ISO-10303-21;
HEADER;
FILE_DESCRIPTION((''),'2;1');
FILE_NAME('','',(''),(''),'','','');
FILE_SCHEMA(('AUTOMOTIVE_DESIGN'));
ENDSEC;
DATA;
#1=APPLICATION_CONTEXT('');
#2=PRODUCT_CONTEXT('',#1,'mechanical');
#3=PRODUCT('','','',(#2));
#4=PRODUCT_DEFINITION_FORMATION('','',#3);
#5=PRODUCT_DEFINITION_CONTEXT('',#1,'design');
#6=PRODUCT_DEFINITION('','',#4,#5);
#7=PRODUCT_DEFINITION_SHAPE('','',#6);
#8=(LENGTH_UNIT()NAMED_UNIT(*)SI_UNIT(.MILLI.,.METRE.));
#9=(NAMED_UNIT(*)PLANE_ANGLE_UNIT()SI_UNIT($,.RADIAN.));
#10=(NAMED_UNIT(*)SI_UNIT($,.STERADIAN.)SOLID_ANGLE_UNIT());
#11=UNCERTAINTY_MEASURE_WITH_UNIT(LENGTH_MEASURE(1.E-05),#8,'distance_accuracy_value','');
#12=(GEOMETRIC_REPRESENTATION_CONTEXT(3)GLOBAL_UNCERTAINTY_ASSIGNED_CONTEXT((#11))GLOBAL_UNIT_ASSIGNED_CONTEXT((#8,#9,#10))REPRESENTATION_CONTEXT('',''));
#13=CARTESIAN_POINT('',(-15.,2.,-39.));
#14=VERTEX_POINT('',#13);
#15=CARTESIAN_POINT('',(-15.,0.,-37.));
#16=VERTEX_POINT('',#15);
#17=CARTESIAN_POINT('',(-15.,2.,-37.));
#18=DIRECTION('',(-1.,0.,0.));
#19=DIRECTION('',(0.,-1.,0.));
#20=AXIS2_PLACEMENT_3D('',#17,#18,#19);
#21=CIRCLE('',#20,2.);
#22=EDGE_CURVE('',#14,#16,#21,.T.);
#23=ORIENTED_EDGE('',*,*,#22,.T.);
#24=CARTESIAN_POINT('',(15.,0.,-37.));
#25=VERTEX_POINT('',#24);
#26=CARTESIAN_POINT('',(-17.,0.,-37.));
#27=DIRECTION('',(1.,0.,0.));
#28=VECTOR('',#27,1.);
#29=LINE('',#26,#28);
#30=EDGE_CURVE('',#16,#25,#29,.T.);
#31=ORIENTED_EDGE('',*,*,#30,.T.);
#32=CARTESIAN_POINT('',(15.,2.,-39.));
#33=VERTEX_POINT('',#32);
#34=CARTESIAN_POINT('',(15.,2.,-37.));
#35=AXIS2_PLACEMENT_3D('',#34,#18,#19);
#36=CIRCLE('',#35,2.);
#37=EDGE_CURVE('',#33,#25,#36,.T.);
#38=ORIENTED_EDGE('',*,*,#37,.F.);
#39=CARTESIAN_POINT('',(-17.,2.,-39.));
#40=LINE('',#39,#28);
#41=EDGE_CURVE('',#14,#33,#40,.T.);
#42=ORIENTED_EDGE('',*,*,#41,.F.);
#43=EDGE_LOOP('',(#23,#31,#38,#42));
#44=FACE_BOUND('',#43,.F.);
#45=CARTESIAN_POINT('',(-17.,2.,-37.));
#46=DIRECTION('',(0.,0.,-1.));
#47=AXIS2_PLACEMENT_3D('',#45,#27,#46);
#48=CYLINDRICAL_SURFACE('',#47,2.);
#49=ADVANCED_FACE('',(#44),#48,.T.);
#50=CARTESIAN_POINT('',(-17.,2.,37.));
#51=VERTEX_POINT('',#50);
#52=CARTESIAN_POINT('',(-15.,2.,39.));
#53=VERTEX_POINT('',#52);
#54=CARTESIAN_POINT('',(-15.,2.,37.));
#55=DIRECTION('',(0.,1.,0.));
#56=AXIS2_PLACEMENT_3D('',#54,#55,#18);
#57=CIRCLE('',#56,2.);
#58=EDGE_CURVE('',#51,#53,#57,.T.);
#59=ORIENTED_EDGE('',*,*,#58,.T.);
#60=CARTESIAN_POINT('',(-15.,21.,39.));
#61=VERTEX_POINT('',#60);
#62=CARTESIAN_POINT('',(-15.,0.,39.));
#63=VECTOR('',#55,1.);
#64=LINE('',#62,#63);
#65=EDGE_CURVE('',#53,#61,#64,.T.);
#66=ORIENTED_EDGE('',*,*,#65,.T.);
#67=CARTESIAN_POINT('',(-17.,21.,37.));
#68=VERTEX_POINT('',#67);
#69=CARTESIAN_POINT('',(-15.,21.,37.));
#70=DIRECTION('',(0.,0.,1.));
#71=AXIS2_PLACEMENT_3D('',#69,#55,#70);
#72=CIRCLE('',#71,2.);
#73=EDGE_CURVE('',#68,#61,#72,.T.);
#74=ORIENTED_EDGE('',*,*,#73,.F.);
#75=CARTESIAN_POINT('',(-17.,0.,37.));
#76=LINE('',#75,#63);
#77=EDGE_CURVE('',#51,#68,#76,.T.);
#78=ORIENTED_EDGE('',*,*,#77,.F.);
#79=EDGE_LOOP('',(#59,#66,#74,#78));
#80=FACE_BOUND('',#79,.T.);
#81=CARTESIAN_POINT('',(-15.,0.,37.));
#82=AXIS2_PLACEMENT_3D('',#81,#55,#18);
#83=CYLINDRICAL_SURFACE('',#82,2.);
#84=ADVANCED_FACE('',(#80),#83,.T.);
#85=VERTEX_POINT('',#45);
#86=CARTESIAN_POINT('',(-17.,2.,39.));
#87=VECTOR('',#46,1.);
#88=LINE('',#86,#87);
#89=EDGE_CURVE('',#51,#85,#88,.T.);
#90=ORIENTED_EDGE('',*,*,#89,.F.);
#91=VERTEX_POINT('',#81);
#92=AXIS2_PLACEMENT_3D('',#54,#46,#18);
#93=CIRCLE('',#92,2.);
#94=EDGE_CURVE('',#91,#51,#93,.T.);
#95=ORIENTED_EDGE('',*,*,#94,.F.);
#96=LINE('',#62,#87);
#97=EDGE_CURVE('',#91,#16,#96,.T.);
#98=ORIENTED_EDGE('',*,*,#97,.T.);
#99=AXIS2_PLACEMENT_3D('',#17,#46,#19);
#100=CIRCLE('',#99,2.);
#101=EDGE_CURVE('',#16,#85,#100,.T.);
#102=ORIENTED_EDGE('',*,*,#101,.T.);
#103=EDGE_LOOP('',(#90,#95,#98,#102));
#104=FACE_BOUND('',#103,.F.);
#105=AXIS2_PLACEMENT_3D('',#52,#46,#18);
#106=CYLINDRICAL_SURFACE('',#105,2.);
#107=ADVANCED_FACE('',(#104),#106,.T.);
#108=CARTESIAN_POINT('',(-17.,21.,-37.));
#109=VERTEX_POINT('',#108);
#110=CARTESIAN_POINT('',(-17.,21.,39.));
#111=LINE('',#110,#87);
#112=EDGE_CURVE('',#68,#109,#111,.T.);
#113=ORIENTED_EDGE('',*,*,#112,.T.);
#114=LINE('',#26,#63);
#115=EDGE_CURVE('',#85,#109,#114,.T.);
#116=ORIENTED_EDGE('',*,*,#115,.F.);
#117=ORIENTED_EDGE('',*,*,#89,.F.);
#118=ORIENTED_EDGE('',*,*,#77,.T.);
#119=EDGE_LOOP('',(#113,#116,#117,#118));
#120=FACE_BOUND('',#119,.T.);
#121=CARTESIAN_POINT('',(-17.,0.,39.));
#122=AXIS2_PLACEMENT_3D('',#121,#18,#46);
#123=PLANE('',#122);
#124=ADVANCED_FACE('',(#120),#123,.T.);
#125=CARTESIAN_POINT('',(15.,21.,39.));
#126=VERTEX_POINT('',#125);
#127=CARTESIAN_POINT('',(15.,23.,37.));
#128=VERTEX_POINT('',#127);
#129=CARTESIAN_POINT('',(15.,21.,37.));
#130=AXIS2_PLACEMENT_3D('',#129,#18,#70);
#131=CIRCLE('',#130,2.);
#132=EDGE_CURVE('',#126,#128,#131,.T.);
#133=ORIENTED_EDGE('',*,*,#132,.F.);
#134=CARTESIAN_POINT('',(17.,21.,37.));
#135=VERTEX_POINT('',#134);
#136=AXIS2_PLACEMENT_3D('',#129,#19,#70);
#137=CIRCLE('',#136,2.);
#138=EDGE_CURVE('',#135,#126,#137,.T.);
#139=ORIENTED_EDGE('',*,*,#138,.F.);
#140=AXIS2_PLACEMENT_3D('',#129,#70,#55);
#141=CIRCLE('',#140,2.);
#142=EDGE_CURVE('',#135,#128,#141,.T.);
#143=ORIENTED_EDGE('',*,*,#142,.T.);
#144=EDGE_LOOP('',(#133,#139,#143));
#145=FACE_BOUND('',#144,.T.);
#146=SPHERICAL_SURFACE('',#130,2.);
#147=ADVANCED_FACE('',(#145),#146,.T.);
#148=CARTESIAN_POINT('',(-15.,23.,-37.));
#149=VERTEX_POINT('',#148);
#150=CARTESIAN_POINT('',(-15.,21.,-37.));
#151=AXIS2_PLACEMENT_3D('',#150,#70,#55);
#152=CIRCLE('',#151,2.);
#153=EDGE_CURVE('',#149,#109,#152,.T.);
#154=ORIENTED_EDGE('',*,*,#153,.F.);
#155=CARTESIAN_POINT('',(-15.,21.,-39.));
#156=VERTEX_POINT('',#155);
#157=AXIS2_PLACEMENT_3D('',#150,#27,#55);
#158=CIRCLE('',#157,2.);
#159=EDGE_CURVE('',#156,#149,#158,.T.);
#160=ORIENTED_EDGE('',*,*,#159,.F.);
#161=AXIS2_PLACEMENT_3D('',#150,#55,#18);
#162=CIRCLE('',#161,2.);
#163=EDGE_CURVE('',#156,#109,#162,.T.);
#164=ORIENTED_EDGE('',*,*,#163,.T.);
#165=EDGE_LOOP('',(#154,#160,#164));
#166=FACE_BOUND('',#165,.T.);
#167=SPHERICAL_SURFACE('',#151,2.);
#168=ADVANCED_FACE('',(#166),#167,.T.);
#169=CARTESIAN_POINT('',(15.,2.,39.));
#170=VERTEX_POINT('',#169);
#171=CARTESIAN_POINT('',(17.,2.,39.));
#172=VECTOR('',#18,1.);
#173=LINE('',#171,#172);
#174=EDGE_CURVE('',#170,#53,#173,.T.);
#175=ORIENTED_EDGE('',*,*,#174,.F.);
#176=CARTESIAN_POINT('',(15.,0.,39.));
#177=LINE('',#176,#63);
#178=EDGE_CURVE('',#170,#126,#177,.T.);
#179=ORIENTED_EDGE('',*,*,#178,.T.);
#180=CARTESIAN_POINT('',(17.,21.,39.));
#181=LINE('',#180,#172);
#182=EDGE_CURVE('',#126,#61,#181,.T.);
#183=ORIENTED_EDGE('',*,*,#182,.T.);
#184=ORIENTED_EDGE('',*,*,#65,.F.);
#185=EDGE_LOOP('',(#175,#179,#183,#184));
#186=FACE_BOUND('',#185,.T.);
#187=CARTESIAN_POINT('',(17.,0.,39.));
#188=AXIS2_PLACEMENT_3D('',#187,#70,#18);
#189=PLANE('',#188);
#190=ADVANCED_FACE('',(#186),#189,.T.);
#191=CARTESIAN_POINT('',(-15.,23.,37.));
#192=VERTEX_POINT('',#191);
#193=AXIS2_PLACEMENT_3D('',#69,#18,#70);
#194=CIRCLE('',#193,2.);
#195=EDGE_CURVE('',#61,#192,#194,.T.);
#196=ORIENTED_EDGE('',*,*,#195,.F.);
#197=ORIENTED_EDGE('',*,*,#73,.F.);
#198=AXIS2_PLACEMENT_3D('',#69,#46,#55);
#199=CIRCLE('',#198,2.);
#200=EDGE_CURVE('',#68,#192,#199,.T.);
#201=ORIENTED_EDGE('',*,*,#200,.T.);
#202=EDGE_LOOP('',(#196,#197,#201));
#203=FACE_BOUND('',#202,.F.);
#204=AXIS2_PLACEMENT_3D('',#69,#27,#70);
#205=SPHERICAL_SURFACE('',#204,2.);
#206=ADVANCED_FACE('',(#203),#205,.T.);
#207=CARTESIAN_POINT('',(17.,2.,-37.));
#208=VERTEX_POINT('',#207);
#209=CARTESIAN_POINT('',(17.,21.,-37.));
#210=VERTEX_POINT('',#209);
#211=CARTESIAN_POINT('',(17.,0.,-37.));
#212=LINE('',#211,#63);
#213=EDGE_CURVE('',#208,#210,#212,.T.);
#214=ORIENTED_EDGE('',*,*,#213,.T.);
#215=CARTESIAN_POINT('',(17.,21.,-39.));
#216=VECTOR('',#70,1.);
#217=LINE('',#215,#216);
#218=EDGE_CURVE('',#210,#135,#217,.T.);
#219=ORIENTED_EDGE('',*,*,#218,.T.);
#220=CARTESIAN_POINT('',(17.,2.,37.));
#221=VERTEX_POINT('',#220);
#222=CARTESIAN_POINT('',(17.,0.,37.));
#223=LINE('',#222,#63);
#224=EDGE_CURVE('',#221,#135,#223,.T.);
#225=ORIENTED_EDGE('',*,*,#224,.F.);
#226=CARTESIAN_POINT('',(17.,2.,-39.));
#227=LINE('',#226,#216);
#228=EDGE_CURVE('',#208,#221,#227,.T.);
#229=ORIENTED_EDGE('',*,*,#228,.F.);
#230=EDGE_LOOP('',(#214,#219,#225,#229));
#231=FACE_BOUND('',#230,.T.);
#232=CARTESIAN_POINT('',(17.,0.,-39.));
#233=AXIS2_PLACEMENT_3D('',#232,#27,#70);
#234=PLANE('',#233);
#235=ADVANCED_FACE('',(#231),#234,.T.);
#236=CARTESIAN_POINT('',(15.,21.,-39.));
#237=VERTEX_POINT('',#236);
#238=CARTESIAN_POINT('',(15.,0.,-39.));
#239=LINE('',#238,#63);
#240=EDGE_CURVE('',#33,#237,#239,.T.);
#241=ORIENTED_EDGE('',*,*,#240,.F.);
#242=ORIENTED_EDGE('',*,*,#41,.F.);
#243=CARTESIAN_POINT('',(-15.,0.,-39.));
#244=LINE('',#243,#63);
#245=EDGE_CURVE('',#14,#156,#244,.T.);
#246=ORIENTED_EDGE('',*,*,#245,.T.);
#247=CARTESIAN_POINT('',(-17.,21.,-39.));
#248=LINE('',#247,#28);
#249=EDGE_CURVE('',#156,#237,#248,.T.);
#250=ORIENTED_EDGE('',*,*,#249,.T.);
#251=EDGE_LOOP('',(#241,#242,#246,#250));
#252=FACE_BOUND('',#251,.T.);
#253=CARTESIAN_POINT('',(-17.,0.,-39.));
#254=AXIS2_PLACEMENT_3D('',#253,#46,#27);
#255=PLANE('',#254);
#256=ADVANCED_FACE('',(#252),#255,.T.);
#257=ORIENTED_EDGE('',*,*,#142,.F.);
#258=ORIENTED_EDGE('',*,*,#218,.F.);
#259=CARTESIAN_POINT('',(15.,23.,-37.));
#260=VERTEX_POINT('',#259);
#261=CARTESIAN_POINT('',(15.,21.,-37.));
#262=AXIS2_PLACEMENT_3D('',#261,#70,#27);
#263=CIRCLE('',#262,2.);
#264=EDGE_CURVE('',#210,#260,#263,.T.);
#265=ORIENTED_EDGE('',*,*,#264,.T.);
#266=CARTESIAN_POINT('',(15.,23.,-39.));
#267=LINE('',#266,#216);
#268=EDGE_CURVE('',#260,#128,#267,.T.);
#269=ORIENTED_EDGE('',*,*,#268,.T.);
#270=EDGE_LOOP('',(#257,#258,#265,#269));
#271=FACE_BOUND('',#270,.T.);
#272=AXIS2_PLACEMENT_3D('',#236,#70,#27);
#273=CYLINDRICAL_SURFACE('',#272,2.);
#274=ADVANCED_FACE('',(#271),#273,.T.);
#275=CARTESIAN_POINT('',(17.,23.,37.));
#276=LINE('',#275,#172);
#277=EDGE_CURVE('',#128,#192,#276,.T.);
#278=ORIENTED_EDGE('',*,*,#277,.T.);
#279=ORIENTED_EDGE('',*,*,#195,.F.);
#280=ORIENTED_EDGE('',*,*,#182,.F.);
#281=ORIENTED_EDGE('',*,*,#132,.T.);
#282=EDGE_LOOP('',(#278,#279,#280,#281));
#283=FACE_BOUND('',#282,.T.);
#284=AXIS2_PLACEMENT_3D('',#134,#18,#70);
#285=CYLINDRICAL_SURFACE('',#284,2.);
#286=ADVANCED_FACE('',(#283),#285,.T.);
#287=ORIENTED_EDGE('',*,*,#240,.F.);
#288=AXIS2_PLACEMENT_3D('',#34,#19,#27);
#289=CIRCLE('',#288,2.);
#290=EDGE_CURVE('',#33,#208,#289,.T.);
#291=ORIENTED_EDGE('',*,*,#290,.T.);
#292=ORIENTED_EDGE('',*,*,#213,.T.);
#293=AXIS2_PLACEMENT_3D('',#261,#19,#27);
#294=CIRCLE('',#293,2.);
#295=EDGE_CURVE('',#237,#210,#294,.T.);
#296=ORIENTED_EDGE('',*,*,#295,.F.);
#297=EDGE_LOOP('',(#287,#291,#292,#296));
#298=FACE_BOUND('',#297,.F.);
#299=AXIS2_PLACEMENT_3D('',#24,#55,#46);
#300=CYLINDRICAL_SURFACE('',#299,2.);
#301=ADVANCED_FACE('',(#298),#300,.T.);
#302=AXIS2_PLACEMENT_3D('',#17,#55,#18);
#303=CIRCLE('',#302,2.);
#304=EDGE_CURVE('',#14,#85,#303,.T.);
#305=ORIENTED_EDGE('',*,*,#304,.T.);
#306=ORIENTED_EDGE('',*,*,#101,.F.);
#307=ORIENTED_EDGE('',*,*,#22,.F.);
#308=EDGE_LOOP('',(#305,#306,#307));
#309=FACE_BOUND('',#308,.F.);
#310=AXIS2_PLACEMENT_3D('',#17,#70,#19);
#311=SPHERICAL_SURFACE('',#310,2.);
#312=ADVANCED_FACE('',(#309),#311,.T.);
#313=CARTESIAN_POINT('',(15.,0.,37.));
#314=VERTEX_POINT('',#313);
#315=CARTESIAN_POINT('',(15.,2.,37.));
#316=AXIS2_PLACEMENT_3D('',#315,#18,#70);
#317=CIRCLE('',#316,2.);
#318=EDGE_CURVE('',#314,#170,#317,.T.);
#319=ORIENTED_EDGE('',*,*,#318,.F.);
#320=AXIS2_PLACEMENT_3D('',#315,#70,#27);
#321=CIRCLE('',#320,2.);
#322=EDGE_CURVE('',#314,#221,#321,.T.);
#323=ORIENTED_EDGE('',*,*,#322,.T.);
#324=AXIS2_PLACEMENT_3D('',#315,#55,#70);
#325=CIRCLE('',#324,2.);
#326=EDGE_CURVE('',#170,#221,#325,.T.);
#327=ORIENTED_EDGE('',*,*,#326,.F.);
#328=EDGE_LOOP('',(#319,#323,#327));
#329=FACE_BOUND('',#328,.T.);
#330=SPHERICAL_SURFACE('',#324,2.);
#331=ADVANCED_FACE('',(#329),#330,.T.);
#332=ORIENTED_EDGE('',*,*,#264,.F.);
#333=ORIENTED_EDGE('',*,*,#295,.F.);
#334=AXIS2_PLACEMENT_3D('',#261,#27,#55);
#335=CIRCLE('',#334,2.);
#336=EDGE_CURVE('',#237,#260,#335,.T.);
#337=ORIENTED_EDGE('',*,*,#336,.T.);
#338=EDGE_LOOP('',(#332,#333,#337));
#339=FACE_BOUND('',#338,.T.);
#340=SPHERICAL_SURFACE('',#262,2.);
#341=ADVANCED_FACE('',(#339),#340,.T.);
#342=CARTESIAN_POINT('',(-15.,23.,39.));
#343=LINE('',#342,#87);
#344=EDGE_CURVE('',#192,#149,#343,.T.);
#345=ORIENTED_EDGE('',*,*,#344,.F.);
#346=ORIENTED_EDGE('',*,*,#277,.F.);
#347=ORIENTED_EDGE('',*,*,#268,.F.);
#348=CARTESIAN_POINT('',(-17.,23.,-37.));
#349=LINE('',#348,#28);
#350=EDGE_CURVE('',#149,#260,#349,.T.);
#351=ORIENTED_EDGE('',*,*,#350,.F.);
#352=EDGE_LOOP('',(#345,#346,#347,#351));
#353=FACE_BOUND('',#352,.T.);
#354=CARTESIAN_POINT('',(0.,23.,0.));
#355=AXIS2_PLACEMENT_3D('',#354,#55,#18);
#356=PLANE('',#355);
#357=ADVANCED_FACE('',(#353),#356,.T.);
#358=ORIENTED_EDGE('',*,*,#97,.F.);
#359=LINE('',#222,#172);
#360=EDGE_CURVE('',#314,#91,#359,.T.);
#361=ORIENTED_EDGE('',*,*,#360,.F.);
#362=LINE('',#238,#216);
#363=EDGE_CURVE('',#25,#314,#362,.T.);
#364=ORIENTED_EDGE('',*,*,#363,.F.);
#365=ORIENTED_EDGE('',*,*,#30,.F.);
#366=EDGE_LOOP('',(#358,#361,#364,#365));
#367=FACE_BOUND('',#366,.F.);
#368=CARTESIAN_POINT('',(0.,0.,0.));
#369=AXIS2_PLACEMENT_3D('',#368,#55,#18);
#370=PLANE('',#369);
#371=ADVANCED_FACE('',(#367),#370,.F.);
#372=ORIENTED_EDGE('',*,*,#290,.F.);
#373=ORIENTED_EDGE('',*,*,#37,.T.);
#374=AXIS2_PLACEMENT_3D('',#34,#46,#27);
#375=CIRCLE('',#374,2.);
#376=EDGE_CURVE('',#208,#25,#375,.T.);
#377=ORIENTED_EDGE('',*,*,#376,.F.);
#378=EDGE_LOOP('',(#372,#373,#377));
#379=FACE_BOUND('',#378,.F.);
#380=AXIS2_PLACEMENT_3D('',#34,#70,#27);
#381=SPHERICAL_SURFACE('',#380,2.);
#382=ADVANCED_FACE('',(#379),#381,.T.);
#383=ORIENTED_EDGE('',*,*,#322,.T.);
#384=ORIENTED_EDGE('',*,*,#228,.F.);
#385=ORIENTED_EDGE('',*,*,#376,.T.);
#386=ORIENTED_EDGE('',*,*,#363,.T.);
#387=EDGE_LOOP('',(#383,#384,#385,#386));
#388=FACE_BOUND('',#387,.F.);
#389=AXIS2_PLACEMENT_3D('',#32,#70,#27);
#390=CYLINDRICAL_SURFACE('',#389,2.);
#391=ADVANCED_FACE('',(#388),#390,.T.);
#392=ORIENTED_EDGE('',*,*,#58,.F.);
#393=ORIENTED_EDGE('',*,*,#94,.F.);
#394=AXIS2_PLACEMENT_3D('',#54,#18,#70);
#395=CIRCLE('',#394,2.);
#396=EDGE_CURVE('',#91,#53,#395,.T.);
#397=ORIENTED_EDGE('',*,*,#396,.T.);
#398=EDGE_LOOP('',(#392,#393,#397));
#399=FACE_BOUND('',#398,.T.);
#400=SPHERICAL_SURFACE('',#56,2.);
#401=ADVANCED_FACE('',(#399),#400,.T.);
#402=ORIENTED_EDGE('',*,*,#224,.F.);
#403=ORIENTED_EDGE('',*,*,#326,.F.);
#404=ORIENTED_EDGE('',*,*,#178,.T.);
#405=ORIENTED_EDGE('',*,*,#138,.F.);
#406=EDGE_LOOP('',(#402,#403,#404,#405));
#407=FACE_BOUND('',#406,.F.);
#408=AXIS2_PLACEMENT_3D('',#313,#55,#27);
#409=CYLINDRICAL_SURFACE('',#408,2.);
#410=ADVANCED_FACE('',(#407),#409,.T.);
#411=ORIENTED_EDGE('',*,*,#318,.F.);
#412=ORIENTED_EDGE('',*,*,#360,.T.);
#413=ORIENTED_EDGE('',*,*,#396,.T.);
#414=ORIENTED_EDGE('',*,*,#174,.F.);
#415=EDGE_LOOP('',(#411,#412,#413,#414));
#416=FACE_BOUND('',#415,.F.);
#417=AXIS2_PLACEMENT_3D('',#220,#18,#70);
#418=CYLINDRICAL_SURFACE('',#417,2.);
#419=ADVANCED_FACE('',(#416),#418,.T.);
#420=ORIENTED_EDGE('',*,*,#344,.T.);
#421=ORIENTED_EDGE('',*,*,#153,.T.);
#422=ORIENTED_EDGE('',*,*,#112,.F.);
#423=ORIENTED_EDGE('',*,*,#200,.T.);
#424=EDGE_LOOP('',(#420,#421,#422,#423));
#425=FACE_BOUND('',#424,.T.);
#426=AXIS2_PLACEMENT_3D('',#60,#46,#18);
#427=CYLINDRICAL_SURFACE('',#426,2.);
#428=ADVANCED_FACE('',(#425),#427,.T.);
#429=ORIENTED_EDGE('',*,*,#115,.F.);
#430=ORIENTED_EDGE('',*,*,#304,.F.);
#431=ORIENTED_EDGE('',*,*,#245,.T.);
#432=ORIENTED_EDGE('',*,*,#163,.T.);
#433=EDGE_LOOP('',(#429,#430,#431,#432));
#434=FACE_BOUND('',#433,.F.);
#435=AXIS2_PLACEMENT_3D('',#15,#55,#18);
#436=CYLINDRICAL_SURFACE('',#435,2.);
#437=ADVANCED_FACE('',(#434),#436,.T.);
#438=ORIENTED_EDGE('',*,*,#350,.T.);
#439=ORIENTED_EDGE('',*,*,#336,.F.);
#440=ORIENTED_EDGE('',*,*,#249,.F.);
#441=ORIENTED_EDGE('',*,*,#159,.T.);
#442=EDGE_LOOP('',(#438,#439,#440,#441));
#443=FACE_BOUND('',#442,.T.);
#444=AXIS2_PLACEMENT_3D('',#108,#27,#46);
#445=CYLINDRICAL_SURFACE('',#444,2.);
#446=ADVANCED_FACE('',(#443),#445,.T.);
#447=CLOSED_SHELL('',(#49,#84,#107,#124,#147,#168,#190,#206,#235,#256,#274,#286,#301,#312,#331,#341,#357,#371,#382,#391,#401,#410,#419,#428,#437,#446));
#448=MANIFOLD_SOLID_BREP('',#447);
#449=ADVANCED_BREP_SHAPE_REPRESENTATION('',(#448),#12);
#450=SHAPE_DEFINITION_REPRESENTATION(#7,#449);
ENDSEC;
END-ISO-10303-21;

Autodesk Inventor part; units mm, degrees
ref_plane "YZ Plane" through (0, 0, 0) normal (1, 0, 0) x (0, 1, 0)
ref_plane "XZ Plane" through (0, 0, 0) normal (0, 1, 0) x (-1, 0, 0)
ref_plane "XY Plane" through (0, 0, 0) normal (0, 0, 1) x (1, 0, 0)
sketch "Sketch1" plane through (0, 0, 0) normal (0, 1, 0) x (-1, 0, 0)
  line L0 (17, 39) -> (17, -39)
  line L1 (17, -39) -> (-17, -39)
  line L2 (-17, -39) -> (-17, 39)
  line L3 (-17, 39) -> (17, 39)
  line L4 (17, 39) -> (-17, -39) construction
  line L5 (17, -39) -> (-17, 39) construction
  point P0 (0, 0)
  dimension "d0" = 78
  dimension "d1" = 34
extrude "Extrusion1" add sketch "Sketch1" along normal blind 23
fillet "Fillet1" radius 2 12 edges at (0, 23, 39) (-17, 11.5, 39) (-17, 23, 0) (-17, 0, 0) (17, 11.5, 39) (0, 0, 39) (17, 0, 0) (17, 23, 0) (17, 11.5, -39) (0, 0, -39) (0, 23, -39) (-17, 11.5, -39)
properties part number "Battery"
